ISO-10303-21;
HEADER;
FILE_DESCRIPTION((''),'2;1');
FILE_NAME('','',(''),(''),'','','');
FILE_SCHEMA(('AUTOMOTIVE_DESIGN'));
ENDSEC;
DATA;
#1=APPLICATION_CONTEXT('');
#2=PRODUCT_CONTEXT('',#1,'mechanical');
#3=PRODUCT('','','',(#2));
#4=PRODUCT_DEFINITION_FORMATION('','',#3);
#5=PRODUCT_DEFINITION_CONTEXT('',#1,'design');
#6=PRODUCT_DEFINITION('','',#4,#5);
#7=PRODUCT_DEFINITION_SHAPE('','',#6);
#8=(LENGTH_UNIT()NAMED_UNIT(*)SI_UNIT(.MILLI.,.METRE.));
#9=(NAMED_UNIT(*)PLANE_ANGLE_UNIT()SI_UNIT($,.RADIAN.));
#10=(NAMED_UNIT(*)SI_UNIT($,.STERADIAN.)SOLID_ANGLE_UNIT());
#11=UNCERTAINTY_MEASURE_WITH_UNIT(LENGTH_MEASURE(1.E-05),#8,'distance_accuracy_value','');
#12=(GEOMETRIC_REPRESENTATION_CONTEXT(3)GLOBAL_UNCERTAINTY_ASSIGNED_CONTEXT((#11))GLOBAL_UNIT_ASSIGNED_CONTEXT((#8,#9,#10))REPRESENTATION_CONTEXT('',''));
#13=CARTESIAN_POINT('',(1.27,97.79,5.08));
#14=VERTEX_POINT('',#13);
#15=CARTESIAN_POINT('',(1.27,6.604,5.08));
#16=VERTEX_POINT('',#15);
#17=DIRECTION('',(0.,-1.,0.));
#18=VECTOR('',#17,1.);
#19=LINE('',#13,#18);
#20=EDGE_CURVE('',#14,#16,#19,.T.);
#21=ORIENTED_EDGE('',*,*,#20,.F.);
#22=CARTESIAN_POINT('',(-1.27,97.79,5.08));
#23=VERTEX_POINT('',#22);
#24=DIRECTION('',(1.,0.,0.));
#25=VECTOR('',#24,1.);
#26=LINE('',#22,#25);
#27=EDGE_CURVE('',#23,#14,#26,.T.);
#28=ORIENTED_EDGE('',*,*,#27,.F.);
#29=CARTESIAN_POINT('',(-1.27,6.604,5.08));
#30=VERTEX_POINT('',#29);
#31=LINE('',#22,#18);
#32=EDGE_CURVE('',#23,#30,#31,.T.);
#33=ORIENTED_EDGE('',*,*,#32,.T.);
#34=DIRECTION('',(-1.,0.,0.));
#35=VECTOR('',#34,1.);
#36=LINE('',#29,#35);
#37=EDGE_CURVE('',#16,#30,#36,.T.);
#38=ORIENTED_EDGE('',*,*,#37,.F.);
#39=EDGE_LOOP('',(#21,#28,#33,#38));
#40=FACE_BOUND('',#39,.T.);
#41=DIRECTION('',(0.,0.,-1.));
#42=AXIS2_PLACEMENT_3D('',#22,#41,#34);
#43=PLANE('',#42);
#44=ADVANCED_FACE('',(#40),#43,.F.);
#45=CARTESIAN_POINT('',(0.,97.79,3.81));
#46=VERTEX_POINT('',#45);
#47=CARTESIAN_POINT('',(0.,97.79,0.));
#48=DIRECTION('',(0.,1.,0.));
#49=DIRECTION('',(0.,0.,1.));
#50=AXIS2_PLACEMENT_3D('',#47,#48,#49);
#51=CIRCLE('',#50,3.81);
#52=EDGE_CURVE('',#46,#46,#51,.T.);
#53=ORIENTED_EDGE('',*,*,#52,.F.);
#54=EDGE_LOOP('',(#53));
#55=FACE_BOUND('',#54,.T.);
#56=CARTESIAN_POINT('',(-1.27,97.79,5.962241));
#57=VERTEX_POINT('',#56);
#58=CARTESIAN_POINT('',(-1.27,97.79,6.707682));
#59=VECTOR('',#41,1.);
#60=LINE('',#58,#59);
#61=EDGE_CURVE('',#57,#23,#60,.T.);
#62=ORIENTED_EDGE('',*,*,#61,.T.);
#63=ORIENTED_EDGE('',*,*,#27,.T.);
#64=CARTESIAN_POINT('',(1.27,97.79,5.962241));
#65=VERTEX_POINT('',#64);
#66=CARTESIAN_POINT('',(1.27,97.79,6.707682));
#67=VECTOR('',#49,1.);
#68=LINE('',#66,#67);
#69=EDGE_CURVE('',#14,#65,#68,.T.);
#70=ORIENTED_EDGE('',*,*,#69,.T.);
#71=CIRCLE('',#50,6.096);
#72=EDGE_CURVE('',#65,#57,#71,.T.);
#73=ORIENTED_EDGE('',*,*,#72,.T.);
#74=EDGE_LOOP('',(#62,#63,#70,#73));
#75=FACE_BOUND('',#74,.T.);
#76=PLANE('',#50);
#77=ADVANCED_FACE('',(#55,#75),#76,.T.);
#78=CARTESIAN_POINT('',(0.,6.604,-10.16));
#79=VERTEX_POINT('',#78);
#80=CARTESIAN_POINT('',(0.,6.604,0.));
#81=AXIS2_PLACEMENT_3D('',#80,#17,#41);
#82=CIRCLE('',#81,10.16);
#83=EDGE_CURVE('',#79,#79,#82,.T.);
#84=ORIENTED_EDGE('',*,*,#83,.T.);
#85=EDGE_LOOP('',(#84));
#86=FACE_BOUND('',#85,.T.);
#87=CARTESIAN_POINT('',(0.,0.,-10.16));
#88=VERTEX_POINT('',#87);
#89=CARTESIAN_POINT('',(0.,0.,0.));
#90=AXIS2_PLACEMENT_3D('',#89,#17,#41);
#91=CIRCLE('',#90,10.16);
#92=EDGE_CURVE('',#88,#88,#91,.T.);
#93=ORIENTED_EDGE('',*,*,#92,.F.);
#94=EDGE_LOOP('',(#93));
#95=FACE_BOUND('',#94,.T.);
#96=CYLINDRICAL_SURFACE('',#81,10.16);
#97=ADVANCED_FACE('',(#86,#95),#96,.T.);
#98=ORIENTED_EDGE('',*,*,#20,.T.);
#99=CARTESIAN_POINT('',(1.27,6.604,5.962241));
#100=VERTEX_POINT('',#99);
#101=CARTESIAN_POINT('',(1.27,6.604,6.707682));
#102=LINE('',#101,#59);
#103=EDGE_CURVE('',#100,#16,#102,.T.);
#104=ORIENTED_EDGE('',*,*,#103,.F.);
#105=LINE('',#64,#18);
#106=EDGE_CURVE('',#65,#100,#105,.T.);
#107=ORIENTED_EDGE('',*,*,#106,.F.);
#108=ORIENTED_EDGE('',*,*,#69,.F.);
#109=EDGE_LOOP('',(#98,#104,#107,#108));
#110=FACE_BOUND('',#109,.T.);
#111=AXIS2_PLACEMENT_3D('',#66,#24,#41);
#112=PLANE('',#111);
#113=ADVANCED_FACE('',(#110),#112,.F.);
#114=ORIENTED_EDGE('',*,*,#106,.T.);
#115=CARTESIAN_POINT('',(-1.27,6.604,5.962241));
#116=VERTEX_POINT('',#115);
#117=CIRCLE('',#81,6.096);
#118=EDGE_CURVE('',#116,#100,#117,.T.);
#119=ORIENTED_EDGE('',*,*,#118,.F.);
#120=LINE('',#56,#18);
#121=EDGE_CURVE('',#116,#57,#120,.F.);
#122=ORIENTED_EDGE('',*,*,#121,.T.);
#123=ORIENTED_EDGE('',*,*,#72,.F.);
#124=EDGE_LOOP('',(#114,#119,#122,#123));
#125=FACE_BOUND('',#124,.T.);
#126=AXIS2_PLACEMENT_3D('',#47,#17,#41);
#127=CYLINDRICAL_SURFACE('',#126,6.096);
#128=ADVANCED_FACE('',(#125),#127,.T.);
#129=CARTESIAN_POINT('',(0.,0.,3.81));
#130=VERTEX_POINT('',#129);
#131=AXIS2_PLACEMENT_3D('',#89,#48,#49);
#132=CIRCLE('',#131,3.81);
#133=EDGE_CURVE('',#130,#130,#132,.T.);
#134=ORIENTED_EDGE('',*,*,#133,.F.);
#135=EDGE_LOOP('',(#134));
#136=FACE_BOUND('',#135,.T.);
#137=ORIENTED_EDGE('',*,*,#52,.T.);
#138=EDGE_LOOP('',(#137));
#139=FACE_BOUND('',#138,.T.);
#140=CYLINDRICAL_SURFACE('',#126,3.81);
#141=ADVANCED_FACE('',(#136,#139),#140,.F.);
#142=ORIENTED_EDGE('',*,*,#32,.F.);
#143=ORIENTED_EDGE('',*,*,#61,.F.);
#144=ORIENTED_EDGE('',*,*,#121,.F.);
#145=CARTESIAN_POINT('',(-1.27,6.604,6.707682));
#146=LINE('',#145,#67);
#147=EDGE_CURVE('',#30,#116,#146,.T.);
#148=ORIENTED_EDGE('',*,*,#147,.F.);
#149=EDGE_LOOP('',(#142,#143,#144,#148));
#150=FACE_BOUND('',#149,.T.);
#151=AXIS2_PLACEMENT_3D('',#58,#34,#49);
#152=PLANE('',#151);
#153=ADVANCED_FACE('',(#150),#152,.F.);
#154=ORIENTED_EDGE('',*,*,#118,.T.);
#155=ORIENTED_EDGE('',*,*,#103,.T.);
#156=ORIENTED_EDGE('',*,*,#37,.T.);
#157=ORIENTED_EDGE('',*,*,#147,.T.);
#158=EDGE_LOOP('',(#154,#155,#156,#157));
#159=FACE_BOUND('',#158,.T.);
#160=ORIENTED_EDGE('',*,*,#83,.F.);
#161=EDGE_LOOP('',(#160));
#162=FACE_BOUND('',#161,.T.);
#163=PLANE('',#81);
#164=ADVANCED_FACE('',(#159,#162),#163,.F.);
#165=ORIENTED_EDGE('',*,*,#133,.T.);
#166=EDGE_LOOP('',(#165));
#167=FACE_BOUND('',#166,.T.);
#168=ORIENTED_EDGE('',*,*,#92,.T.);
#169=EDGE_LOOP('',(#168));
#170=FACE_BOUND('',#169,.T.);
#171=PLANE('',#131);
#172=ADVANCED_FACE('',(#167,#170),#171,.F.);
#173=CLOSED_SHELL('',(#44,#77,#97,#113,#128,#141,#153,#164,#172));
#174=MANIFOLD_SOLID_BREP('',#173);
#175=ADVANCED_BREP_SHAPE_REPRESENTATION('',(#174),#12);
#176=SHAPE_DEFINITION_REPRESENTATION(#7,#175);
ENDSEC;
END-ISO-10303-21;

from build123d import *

# Parameters (mm, degrees)
SKETCH1_R               = 6.096
SKETCH1_R_2             = 3.81
BOSS_EXTRUDE1_DEPTH     = 97.79
SKETCH2_W               = 2.54
SKETCH2_H               = 1.627681679
CUT_EXTRUDE1_DEPTH      = 1
CUT_EXTRUDE1_DEPTH_BACK = 98.79
SKETCH3_R               = 10.16
SKETCH3_R_2             = 3.81
BOSS_EXTRUDE2_DEPTH     = 6.604


with BuildPart() as part:
    # Sketch1 → Boss-Extrude1 (new body)
    with BuildSketch(Plane(origin=(0, 0, 0), x_dir=(1, 0, 0), z_dir=(0, 1, 0))):
        Circle(SKETCH1_R)
        Circle(SKETCH1_R_2, mode=Mode.SUBTRACT)
    extrude(amount=BOSS_EXTRUDE1_DEPTH)

    # Sketch2 → Cut-Extrude1 (cut, two sides)
    with BuildSketch(Plane.XZ) as cut_extrude1_sk:
        with Locations((0, 5.89384084)):
            Rectangle(SKETCH2_W, SKETCH2_H)
    extrude(amount=CUT_EXTRUDE1_DEPTH, mode=Mode.SUBTRACT)
    extrude(cut_extrude1_sk.sketch, amount=-CUT_EXTRUDE1_DEPTH_BACK, mode=Mode.SUBTRACT)

    # Sketch3 → Boss-Extrude2 (add)
    with BuildSketch(Plane.XZ):
        Circle(SKETCH3_R)
        Circle(SKETCH3_R_2, mode=Mode.SUBTRACT)
    extrude(amount=-BOSS_EXTRUDE2_DEPTH)


solid = part.part
